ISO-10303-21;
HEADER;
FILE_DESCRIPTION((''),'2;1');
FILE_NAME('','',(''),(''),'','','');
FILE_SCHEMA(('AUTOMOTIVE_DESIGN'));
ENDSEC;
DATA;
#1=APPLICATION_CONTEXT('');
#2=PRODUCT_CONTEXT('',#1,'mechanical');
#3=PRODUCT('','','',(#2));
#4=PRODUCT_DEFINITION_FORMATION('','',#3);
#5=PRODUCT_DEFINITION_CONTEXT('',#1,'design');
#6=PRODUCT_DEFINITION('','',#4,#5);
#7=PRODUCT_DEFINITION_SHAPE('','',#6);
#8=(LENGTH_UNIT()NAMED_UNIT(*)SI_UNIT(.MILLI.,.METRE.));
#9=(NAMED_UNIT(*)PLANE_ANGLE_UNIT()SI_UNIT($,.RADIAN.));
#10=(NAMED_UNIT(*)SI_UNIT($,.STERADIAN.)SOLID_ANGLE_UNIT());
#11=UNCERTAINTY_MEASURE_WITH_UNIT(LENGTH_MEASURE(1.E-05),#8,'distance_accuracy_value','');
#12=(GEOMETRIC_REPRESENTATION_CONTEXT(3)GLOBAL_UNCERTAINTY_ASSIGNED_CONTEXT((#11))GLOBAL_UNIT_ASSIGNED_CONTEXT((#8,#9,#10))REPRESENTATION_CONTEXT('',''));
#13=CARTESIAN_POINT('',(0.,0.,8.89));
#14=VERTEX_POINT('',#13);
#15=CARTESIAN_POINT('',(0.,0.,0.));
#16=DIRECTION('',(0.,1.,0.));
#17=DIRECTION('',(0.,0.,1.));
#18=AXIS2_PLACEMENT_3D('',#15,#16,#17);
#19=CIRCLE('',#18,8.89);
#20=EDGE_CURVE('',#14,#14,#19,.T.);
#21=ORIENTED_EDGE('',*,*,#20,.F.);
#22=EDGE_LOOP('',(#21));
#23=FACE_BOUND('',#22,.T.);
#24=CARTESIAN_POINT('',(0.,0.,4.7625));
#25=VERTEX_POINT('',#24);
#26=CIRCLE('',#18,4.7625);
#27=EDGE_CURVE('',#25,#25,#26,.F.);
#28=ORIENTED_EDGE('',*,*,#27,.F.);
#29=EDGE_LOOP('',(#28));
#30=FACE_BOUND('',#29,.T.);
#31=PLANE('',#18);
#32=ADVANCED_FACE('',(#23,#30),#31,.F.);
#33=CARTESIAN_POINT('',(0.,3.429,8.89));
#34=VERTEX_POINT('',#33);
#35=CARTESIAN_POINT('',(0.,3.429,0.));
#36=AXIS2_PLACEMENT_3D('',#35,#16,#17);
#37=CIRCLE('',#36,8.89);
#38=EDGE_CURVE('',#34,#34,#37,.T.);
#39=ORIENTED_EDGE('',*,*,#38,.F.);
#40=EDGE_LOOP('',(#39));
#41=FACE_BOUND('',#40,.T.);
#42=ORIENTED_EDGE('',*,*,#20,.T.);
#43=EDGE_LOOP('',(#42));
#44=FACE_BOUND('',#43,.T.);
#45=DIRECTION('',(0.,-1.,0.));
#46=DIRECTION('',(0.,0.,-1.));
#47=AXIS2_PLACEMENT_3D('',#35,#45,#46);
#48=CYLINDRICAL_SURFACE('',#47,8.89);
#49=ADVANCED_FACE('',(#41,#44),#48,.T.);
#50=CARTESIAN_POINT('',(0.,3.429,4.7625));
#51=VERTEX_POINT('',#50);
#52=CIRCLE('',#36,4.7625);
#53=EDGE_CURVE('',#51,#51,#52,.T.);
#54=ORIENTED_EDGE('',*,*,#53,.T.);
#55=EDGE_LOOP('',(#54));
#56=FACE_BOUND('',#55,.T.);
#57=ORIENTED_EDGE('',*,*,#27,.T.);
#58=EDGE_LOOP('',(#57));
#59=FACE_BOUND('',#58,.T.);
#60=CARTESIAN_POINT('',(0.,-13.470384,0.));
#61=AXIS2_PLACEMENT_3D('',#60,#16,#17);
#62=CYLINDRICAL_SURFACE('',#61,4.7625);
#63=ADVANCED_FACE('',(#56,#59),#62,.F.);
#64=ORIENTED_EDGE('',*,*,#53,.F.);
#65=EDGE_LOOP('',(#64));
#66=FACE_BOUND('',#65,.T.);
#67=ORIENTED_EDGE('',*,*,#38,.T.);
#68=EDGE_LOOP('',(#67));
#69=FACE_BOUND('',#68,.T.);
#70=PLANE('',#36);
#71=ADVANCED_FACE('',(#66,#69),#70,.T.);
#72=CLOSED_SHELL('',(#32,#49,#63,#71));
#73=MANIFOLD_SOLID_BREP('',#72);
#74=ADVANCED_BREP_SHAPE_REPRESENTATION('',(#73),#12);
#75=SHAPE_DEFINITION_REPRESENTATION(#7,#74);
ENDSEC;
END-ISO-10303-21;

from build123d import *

# Parameters (mm, degrees)
SKETCH1_R           = 8.89
BOSS_EXTRUDE1_DEPTH = 3.429
SKETCH2_R           = 4.7625
CUT_EXTRUDE1_DEPTH  = 3.429


with BuildPart() as part:
    # Sketch1 → Boss-Extrude1 (new body)
    with BuildSketch(Plane(origin=(0, 0, 0), x_dir=(1, 0, 0), z_dir=(0, 1, 0))):
        with Locations(Location((0, 0, 0), (0, 0, 270))):
            Circle(SKETCH1_R)
    extrude(amount=BOSS_EXTRUDE1_DEPTH)

    # Sketch2 → Cut-Extrude1 (cut)
    with BuildSketch(Plane(origin=(0, 3.429, 0), x_dir=(1, 0, 0), z_dir=(0, 1, 0))):
        with Locations(Location((0, 0, 0), (0, 0, 270))):
            Circle(SKETCH2_R)
    extrude(amount=-CUT_EXTRUDE1_DEPTH, mode=Mode.SUBTRACT)


solid = part.part
